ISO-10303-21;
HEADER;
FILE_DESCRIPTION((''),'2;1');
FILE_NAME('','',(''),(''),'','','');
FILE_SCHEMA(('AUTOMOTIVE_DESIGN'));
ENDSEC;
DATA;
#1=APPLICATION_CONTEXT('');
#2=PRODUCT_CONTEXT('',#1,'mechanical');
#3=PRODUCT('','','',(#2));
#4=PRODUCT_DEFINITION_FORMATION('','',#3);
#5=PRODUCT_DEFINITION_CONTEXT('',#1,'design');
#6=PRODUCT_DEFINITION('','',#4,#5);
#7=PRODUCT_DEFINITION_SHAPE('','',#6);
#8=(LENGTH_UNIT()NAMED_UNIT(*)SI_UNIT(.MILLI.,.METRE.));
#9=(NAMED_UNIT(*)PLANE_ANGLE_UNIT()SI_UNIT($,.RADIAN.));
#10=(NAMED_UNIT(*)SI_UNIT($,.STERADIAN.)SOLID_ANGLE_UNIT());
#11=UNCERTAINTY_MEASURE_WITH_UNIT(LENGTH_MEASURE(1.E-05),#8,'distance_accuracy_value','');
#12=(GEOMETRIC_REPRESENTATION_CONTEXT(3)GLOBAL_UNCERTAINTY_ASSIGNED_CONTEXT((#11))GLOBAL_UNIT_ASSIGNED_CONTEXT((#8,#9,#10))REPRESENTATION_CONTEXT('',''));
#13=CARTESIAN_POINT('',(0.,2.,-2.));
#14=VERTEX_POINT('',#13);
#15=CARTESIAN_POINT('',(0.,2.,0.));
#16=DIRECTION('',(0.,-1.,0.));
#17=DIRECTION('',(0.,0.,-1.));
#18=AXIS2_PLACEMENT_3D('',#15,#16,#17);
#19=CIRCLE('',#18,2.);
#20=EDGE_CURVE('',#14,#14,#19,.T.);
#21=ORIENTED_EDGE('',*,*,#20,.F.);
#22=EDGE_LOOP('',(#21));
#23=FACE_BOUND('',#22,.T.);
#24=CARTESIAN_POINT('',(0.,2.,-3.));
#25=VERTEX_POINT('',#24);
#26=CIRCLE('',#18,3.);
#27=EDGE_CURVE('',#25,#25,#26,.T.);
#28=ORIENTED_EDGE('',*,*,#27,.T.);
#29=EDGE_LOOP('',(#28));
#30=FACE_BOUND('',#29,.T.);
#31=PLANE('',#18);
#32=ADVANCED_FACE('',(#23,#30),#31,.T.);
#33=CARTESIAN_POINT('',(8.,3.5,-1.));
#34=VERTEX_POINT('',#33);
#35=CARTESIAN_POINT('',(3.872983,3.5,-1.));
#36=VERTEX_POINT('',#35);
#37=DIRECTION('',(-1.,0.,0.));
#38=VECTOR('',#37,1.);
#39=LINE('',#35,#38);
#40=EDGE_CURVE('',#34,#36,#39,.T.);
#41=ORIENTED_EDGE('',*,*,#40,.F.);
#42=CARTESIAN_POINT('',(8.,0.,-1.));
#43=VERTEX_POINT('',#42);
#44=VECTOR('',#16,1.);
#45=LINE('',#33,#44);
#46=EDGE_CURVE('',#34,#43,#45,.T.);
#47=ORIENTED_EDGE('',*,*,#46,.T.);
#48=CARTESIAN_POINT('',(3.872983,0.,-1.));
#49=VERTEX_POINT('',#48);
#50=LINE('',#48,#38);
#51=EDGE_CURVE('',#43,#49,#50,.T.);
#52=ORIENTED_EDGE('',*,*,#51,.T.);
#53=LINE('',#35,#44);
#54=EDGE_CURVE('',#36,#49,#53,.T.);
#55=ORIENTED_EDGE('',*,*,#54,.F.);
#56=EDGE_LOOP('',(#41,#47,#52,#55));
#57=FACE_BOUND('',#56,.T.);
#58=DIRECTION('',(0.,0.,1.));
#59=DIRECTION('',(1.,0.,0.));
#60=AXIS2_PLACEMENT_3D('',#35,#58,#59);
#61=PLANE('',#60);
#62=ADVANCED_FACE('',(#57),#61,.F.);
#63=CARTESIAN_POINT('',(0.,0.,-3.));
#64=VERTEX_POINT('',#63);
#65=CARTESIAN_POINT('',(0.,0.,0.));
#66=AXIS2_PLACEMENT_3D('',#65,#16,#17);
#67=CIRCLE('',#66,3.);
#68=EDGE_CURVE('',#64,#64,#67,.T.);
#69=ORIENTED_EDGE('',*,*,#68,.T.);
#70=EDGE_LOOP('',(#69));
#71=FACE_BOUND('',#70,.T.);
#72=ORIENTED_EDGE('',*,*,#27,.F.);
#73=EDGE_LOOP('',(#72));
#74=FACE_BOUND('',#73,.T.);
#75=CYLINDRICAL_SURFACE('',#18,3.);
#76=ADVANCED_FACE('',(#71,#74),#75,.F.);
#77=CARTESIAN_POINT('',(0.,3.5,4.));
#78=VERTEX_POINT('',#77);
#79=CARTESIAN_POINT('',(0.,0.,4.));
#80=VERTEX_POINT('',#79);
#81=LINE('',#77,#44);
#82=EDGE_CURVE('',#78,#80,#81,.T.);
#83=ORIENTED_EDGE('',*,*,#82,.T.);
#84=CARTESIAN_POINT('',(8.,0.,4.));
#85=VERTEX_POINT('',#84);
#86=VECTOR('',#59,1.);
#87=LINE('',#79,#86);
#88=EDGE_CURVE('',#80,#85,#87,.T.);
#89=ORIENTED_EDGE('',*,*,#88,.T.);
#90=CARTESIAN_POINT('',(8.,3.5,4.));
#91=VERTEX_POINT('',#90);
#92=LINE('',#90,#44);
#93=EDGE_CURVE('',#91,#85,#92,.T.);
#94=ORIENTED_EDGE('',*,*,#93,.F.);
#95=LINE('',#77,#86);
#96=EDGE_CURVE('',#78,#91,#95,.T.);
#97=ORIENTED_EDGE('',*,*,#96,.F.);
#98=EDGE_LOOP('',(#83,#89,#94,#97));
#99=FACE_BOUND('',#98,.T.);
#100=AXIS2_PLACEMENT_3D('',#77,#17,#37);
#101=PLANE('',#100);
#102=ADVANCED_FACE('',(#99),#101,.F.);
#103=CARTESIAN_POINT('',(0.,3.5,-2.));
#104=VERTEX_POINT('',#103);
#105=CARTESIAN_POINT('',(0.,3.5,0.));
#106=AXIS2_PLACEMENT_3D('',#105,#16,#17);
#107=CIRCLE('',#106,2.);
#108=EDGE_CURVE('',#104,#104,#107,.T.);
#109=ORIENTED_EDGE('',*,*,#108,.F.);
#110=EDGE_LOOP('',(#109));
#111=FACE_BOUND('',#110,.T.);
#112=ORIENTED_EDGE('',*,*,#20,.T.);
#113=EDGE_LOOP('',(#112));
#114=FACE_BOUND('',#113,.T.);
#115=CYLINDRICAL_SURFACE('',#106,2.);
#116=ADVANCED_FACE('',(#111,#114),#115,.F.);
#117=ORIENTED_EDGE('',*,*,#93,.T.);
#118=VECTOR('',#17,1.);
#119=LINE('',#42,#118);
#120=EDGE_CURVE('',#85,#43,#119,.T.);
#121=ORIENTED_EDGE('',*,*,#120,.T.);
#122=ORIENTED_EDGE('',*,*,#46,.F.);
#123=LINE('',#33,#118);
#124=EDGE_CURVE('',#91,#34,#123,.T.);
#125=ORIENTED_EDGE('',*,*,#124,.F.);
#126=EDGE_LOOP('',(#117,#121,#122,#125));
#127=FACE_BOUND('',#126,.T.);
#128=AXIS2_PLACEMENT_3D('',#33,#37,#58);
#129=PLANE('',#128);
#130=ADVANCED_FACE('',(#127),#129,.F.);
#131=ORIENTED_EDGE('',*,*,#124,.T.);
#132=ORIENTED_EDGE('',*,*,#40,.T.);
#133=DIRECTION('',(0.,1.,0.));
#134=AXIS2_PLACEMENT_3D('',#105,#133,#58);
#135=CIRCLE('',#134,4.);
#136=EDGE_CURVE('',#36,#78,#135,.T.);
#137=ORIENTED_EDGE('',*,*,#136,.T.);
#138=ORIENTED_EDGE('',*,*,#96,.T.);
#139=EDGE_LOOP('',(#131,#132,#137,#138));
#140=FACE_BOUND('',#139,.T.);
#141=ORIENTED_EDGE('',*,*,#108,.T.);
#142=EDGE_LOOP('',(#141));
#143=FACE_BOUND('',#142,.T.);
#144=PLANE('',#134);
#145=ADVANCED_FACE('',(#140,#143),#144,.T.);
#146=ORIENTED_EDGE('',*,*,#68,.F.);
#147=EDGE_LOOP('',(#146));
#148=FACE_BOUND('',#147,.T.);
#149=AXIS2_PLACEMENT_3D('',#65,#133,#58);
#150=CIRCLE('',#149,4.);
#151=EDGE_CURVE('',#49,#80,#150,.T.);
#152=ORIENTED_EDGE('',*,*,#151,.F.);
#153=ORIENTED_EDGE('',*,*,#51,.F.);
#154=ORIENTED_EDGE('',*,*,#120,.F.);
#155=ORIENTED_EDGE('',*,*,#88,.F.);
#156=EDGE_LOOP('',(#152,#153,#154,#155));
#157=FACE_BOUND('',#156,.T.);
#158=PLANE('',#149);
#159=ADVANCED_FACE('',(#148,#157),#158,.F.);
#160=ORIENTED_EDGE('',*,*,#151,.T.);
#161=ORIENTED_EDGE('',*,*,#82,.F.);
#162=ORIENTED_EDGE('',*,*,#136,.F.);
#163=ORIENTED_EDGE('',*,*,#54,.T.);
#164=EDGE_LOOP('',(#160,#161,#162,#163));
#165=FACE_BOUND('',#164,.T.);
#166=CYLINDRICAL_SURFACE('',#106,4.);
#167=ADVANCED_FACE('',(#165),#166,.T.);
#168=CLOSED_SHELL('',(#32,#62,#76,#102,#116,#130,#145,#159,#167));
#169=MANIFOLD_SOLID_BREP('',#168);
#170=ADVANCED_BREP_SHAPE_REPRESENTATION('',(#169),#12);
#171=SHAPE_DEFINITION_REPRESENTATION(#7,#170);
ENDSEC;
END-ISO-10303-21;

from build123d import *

# Parameters (mm, degrees)
BOSS_EXTRUDE1_DEPTH = 3.5
SKETCH2_R           = 3
CUT_EXTRUDE1_DEPTH  = 2
SKETCH3_R           = 2
CUT_EXTRUDE2_DEPTH  = 10.16515139


with BuildPart() as part:
    # Sketch1 → Boss-Extrude1 (new body)
    with BuildSketch(Plane(origin=(0, 0, 0), x_dir=(1, 0, 0), z_dir=(0, 1, 0))):
        with BuildLine():
            Line((0, -4), (8, -4))
            Line((8, -4), (8, 1))
            Line((8, 1), (3.872983346, 1))
            ThreePointArc((3.872983346, 1), (-3.16227766, 2.449489743), (0, -4))
        make_face()
    extrude(amount=BOSS_EXTRUDE1_DEPTH)

    # Sketch2 → Cut-Extrude1 (cut)
    with BuildSketch(Plane.XZ):
        with Locations(Location((0, 0, 0), (0, 0, 270))):
            Circle(SKETCH2_R)
    extrude(amount=-CUT_EXTRUDE1_DEPTH, mode=Mode.SUBTRACT)

    # Sketch3 → Cut-Extrude2 (cut, through all)
    with BuildSketch(Plane.XZ.offset(-2)):
        with Locations(Location((0, 0, 0), (0, 0, 270))):
            Circle(SKETCH3_R)
    extrude(amount=-CUT_EXTRUDE2_DEPTH, mode=Mode.SUBTRACT)


solid = part.part
